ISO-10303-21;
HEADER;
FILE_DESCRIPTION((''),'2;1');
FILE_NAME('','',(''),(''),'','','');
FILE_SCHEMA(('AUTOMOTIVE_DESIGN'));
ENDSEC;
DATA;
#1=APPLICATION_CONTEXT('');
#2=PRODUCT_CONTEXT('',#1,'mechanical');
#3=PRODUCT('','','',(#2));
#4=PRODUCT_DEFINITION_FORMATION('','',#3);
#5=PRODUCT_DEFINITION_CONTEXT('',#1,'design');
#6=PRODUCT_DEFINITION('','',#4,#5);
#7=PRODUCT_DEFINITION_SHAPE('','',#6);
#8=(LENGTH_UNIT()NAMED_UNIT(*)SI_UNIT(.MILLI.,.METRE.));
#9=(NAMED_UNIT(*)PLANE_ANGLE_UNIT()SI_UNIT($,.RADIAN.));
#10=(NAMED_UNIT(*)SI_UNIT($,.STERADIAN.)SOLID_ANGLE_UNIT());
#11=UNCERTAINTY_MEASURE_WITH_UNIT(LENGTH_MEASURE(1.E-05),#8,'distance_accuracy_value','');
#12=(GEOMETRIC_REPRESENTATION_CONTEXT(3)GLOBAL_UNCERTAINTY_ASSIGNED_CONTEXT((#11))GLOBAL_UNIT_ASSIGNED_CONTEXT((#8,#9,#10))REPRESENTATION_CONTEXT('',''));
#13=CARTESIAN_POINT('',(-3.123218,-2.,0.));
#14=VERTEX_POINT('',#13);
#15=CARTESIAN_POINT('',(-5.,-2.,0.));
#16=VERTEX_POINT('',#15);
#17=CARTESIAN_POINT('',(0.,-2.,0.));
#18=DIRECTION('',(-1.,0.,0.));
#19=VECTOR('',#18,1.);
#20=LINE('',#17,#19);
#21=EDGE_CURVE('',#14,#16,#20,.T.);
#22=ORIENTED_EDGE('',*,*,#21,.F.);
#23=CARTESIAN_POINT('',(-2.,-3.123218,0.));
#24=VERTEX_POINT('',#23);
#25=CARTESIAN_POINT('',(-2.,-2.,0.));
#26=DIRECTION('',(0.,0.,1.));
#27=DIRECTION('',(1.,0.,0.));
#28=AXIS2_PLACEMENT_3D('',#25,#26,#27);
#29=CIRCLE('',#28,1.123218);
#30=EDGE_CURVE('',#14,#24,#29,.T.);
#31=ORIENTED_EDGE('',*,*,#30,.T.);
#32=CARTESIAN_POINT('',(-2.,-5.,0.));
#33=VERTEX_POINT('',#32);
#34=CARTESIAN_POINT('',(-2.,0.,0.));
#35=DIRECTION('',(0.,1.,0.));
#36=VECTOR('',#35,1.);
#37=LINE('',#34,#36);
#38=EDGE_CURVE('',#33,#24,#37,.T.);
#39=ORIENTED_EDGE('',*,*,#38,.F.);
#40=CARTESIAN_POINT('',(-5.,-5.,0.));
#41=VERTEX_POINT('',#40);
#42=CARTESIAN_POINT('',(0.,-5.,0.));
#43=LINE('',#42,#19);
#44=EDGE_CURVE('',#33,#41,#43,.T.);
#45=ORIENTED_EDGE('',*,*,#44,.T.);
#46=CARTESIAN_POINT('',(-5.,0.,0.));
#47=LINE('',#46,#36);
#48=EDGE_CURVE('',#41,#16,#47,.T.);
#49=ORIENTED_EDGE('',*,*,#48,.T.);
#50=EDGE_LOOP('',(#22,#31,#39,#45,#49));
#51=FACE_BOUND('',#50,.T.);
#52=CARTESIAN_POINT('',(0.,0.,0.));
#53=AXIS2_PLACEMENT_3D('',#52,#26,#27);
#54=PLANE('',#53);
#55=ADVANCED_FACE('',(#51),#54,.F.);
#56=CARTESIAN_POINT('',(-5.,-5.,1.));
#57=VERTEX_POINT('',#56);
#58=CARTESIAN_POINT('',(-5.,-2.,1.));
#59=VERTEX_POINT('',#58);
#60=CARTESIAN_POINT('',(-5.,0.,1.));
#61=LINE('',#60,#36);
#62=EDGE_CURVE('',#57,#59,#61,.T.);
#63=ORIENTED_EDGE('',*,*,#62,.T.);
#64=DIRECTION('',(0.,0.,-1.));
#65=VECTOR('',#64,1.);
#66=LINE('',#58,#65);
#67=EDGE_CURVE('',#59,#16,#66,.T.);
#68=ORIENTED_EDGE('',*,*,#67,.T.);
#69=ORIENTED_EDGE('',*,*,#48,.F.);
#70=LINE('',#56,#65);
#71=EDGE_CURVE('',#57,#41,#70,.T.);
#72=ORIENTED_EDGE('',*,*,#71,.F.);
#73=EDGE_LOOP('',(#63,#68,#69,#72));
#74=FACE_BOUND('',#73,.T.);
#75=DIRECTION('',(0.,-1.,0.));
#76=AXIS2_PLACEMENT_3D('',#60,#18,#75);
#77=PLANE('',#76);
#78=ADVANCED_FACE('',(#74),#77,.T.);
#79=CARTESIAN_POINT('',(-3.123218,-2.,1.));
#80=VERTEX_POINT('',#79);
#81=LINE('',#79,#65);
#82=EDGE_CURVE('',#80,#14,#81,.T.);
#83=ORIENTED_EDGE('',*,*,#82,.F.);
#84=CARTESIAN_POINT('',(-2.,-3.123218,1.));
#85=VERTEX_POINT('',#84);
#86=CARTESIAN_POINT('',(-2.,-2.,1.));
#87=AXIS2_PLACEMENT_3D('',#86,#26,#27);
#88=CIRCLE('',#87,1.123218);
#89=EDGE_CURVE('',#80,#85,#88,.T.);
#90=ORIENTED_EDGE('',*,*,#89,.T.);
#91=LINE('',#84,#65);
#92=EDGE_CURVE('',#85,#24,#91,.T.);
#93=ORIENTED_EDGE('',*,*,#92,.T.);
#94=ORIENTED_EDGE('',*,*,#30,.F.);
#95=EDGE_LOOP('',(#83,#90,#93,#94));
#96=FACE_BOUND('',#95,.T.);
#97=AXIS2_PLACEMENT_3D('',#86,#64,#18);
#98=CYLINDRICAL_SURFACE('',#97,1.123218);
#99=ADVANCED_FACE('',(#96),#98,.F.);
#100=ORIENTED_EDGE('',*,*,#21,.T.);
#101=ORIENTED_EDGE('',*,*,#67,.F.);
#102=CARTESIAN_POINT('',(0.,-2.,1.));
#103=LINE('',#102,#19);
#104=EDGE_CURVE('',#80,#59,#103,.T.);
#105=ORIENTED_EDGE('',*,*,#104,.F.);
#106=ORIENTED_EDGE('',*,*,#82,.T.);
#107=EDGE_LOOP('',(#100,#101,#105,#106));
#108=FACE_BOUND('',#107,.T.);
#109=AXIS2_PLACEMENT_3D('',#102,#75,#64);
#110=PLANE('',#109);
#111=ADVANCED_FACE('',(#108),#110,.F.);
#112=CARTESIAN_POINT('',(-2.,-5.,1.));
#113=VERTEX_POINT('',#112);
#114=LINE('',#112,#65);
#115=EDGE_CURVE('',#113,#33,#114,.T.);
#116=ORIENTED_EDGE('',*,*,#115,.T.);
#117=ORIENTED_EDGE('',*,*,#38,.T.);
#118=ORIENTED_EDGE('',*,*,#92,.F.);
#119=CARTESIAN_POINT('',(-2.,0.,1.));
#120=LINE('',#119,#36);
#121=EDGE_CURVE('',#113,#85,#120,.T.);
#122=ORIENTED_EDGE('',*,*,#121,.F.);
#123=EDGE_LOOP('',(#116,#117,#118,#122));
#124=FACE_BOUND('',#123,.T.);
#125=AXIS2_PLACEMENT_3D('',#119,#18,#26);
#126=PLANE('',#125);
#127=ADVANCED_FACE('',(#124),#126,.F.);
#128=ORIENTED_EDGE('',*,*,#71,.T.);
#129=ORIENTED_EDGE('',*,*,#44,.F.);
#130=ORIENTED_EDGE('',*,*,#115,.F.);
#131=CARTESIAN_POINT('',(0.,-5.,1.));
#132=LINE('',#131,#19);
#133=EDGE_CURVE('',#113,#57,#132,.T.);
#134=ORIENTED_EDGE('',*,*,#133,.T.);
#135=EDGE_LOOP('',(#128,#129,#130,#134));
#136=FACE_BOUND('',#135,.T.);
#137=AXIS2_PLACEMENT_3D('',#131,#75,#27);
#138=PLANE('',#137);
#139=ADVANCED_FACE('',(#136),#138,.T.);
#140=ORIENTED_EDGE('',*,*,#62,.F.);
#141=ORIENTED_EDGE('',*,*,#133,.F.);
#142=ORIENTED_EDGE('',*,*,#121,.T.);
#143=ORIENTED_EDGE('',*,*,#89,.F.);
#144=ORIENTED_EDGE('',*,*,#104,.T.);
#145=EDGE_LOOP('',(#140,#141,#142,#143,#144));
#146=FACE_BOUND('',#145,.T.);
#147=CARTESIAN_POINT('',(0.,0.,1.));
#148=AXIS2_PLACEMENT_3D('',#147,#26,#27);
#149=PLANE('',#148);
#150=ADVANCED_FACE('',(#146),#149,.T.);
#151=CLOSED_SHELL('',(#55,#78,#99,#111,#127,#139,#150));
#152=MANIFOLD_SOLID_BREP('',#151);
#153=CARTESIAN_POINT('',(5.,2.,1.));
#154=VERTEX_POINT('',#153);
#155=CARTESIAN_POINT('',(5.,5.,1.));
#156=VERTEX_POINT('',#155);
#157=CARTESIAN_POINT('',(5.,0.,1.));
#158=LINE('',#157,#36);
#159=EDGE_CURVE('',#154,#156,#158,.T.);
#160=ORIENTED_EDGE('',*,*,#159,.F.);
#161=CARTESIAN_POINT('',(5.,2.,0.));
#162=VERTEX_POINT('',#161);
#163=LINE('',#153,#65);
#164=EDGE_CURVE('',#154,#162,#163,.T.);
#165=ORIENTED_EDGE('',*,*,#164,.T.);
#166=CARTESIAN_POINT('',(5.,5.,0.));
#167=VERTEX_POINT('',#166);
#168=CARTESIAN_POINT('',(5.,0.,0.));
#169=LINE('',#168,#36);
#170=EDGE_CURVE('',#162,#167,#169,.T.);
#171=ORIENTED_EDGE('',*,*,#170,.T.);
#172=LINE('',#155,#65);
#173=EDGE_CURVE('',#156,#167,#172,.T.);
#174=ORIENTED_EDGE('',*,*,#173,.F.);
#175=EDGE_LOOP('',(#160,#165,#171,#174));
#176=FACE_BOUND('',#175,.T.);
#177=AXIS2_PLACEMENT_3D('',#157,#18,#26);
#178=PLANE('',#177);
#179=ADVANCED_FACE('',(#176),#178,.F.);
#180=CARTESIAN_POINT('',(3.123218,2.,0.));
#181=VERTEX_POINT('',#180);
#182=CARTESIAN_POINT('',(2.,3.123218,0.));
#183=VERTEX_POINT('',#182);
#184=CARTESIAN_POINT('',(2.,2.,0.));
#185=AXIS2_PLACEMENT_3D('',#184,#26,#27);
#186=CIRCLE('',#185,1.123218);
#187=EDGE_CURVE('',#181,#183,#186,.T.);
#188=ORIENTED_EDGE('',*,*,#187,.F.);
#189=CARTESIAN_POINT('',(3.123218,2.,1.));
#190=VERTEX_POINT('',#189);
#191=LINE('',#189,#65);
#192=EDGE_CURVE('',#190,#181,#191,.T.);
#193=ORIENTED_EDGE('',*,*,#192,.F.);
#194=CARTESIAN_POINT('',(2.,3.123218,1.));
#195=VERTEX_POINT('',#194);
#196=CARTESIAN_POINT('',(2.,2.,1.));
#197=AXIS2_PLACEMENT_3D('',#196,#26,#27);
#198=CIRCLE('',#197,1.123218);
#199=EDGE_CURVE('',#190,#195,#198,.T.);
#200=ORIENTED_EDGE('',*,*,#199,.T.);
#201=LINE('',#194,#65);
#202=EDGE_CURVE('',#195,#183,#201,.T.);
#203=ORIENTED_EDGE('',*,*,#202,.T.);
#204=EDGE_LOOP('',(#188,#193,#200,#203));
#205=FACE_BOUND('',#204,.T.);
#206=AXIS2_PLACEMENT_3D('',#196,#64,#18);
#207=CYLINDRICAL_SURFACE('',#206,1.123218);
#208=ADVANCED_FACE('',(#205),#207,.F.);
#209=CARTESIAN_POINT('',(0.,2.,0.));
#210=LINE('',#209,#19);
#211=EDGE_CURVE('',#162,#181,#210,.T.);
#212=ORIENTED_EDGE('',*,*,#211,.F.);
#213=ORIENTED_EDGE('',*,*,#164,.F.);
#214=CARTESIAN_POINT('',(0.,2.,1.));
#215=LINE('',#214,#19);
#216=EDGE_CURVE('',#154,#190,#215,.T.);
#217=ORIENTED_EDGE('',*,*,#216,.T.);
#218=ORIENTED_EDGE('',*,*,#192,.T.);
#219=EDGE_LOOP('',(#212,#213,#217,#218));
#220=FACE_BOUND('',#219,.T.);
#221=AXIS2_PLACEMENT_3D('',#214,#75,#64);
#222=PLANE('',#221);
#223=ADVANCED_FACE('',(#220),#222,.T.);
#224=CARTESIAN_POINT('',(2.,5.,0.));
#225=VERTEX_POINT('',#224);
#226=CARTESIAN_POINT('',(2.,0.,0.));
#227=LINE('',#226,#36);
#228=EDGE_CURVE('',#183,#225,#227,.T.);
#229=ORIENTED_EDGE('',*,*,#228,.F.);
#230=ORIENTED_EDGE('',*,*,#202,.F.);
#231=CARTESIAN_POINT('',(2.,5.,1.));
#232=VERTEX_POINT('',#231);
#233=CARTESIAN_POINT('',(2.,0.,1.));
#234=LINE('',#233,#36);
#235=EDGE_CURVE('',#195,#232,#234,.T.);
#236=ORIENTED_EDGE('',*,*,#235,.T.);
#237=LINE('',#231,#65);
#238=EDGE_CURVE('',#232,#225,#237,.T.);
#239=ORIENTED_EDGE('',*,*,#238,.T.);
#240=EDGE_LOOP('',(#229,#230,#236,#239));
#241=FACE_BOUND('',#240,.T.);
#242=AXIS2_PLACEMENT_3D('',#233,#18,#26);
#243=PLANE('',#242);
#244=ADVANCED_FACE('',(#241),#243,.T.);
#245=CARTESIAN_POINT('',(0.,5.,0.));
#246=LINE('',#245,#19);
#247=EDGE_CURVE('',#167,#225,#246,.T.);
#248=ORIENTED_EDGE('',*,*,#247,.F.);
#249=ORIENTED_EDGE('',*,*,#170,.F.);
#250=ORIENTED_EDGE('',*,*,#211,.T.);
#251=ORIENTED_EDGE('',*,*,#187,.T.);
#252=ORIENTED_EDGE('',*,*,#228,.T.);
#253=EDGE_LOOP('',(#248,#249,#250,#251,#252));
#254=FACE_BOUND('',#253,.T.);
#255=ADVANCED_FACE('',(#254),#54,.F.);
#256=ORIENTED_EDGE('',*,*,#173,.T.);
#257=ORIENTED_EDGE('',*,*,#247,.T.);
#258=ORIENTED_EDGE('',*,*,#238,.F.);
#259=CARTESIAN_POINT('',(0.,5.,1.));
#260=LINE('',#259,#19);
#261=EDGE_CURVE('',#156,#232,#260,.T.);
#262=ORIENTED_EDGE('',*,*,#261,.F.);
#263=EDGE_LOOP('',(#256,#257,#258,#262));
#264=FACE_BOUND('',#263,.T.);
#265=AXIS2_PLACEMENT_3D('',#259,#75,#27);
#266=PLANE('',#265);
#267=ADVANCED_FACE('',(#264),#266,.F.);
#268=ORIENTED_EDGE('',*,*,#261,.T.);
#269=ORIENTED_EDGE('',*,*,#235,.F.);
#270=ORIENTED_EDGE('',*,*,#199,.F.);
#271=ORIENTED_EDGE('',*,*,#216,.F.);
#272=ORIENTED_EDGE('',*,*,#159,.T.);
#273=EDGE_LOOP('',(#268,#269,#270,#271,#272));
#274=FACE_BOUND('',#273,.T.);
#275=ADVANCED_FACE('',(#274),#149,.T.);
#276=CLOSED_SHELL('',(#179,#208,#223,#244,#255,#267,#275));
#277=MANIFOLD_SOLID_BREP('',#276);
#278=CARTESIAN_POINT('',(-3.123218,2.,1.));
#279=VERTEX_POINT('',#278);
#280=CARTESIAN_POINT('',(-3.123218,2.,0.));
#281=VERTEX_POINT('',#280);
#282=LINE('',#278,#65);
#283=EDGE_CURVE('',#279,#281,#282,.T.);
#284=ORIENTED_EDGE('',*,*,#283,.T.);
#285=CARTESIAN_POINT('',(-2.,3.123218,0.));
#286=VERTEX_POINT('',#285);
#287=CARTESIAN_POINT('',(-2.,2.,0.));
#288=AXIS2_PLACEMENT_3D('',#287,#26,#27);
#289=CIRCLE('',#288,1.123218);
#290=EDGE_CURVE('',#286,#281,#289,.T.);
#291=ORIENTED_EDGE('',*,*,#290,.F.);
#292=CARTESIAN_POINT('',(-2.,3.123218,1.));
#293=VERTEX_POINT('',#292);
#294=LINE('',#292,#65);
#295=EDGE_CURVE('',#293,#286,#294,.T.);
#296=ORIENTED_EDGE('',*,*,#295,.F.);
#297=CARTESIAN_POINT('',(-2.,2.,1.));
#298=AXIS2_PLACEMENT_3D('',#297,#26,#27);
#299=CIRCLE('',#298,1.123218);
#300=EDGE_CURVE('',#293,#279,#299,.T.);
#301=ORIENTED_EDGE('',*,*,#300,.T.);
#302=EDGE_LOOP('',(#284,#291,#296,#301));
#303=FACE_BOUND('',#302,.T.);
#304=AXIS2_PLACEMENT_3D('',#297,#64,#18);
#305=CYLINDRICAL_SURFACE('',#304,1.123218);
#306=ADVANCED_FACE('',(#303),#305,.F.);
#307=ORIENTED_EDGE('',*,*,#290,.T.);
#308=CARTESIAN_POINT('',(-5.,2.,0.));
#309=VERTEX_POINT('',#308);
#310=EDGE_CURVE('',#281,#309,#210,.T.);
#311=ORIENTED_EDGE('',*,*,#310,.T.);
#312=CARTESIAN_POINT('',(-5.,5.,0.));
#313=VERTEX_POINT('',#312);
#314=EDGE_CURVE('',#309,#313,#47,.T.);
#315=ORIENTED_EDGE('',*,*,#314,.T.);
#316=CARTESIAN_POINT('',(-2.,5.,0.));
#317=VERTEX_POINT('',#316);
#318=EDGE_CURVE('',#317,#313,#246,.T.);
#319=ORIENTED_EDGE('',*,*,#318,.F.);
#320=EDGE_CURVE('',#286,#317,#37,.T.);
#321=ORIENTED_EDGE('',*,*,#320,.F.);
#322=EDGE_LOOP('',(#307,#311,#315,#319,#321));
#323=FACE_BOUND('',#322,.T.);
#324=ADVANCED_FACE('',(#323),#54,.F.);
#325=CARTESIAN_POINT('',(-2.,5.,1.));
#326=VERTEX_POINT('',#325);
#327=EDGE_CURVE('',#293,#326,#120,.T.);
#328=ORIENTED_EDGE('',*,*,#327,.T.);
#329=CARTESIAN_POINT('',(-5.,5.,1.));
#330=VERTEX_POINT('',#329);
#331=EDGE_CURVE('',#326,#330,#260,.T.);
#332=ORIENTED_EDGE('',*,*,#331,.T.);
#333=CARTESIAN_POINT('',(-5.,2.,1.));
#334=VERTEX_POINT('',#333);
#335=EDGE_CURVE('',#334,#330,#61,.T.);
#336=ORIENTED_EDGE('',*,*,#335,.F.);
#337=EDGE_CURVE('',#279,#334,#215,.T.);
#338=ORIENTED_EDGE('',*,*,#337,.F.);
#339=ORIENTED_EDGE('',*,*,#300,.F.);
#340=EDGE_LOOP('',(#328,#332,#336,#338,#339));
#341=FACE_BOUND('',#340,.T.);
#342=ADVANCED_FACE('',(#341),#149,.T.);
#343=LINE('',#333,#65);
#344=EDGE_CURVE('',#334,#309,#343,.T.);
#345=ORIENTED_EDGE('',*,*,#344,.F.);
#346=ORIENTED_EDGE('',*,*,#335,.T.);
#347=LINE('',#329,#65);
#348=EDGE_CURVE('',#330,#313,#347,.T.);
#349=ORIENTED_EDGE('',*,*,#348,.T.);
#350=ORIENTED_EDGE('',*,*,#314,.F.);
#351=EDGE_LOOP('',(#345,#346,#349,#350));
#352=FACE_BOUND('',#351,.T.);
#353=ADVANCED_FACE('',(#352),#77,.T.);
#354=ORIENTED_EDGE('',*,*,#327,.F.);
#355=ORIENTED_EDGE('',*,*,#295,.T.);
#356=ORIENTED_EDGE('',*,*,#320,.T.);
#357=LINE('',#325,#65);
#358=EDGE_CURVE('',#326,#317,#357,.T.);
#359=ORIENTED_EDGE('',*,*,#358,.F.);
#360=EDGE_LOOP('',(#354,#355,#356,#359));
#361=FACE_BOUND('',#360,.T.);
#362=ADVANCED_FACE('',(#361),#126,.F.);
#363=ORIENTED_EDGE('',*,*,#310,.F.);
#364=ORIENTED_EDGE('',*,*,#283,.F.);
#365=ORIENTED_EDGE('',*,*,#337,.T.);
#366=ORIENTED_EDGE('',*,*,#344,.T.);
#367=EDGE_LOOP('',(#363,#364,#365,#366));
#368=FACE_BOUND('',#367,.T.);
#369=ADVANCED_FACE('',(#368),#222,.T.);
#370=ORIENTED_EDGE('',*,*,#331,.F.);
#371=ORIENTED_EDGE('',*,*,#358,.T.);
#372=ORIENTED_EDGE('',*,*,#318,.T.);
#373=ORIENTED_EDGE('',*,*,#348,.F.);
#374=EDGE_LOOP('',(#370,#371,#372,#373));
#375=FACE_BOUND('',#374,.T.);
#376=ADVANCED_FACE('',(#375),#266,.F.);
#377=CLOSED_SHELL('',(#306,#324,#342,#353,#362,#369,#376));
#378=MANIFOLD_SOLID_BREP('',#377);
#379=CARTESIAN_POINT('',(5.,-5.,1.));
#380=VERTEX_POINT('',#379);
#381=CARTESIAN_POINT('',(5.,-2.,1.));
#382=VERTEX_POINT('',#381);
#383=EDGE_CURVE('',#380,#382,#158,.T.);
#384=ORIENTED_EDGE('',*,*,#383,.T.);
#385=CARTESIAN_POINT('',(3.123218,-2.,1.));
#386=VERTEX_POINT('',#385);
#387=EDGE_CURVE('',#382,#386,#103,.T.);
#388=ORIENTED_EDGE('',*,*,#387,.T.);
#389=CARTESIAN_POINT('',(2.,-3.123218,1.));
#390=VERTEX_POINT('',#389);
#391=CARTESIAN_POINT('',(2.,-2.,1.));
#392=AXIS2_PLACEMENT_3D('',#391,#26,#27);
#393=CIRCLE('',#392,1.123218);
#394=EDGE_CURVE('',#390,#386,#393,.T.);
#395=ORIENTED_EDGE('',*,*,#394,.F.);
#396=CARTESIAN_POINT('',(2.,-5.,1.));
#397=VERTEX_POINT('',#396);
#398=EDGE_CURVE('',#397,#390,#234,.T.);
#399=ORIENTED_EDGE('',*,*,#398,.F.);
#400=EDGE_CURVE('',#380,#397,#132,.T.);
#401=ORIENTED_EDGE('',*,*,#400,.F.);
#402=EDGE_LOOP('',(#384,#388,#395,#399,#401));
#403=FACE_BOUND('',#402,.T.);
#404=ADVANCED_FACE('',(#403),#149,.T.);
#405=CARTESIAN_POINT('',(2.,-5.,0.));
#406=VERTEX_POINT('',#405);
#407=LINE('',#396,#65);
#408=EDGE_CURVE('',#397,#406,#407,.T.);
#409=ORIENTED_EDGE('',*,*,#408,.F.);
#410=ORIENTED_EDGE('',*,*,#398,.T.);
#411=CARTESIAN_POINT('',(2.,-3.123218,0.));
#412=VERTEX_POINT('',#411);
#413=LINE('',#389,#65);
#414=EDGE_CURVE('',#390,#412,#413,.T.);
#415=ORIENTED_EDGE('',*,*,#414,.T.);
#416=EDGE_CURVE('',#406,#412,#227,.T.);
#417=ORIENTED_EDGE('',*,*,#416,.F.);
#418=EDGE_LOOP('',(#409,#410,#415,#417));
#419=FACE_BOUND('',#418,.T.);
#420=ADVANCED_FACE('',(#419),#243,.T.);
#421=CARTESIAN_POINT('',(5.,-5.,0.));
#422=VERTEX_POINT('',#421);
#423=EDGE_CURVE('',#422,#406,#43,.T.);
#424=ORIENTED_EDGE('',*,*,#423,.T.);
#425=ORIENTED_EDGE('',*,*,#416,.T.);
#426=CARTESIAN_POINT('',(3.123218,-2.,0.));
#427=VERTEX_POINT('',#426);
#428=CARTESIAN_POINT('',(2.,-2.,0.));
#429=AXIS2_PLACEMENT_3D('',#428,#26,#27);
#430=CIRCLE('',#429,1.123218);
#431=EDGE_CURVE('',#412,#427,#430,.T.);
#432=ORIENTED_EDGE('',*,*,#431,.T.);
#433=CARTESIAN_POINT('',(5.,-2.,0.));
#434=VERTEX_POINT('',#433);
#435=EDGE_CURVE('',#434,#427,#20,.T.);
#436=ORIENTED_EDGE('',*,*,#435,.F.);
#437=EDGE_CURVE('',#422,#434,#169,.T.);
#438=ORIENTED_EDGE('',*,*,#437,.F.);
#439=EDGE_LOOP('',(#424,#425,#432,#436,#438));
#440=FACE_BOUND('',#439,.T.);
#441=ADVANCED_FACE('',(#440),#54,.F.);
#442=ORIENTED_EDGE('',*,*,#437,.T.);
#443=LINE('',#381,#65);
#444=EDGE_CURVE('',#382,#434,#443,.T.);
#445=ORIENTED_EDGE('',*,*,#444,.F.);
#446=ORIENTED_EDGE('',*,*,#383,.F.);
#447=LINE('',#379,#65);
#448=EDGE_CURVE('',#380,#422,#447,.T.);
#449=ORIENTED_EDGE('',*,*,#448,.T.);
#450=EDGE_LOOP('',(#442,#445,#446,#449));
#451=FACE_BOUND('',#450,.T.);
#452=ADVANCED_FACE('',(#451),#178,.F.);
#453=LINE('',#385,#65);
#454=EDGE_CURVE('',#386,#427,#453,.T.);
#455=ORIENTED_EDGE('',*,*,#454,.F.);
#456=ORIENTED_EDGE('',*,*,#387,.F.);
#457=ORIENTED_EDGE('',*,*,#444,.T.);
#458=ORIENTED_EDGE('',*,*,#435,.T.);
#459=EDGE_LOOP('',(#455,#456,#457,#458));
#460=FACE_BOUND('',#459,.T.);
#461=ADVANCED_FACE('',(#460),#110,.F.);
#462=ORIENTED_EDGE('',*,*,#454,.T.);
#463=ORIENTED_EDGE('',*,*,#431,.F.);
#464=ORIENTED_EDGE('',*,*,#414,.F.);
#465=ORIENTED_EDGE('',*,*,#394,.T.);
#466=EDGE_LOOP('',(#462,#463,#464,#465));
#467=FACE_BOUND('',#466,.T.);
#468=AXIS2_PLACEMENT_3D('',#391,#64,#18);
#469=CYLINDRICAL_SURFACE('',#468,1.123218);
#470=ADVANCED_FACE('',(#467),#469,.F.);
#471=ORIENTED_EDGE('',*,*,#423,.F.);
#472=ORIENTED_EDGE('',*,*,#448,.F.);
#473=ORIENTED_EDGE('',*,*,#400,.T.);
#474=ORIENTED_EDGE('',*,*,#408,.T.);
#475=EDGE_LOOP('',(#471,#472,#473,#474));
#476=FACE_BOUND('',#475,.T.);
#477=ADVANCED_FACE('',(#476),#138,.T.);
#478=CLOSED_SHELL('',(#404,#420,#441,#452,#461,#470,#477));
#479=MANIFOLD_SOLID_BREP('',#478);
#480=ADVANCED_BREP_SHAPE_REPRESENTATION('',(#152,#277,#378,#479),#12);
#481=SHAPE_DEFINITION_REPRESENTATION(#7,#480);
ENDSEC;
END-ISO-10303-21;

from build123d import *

# Parameters (mm, degrees)
BOSS_EXTRUDE1_DEPTH   = 1
BOSS_EXTRUDE1_2_DEPTH = 1
BOSS_EXTRUDE1_3_DEPTH = 1
BOSS_EXTRUDE1_4_DEPTH = 1


with BuildPart() as part:
    # Sketch1 → Boss-Extrude1 (new body)
    with BuildSketch(Plane.XY):
        with BuildLine():
            Line((2, -5), (5, -5))
            Line((5, -5), (5, -2))
            Line((5, -2), (3.123218099, -2))
            ThreePointArc((3.123218099, -2), (2.794235135, -2.794235135), (2, -3.123218099))
            Line((2, -3.123218099), (2, -5))
        make_face()
    extrude(amount=BOSS_EXTRUDE1_DEPTH)


with BuildPart() as body_2:
    # Sketch1 → Boss-Extrude1 2 (new body)
    with BuildSketch(Plane.XY):
        with BuildLine():
            Line((-5, -5), (-2, -5))
            Line((-2, -5), (-2, -3.123218099))
            ThreePointArc((-2, -3.123218099), (-2.794235135, -2.794235135), (-3.123218099, -2))
            Line((-3.123218099, -2), (-5, -2))
            Line((-5, -2), (-5, -5))
        make_face()
    extrude(amount=BOSS_EXTRUDE1_2_DEPTH)


with BuildPart() as body_3:
    # Sketch1 → Boss-Extrude1 3 (new body)
    with BuildSketch(Plane.XY):
        with BuildLine():
            Line((3.123218099, 2), (5, 2))
            Line((5, 2), (5, 5))
            Line((5, 5), (2, 5))
            Line((2, 5), (2, 3.123218099))
            ThreePointArc((2, 3.123218099), (2.794235135, 2.794235135), (3.123218099, 2))
        make_face()
    extrude(amount=BOSS_EXTRUDE1_3_DEPTH)


with BuildPart() as body_4:
    # Sketch1 → Boss-Extrude1 4 (new body)
    with BuildSketch(Plane.XY):
        with BuildLine():
            Line((-5, 5), (-5, 2))
            Line((-5, 2), (-3.123218099, 2))
            ThreePointArc((-3.123218099, 2), (-2.794235135, 2.794235135), (-2, 3.123218099))
            Line((-2, 3.123218099), (-2, 5))
            Line((-2, 5), (-5, 5))
        make_face()
    extrude(amount=BOSS_EXTRUDE1_4_DEPTH)


solid = Compound([part.part, body_2.part, body_3.part, body_4.part])
